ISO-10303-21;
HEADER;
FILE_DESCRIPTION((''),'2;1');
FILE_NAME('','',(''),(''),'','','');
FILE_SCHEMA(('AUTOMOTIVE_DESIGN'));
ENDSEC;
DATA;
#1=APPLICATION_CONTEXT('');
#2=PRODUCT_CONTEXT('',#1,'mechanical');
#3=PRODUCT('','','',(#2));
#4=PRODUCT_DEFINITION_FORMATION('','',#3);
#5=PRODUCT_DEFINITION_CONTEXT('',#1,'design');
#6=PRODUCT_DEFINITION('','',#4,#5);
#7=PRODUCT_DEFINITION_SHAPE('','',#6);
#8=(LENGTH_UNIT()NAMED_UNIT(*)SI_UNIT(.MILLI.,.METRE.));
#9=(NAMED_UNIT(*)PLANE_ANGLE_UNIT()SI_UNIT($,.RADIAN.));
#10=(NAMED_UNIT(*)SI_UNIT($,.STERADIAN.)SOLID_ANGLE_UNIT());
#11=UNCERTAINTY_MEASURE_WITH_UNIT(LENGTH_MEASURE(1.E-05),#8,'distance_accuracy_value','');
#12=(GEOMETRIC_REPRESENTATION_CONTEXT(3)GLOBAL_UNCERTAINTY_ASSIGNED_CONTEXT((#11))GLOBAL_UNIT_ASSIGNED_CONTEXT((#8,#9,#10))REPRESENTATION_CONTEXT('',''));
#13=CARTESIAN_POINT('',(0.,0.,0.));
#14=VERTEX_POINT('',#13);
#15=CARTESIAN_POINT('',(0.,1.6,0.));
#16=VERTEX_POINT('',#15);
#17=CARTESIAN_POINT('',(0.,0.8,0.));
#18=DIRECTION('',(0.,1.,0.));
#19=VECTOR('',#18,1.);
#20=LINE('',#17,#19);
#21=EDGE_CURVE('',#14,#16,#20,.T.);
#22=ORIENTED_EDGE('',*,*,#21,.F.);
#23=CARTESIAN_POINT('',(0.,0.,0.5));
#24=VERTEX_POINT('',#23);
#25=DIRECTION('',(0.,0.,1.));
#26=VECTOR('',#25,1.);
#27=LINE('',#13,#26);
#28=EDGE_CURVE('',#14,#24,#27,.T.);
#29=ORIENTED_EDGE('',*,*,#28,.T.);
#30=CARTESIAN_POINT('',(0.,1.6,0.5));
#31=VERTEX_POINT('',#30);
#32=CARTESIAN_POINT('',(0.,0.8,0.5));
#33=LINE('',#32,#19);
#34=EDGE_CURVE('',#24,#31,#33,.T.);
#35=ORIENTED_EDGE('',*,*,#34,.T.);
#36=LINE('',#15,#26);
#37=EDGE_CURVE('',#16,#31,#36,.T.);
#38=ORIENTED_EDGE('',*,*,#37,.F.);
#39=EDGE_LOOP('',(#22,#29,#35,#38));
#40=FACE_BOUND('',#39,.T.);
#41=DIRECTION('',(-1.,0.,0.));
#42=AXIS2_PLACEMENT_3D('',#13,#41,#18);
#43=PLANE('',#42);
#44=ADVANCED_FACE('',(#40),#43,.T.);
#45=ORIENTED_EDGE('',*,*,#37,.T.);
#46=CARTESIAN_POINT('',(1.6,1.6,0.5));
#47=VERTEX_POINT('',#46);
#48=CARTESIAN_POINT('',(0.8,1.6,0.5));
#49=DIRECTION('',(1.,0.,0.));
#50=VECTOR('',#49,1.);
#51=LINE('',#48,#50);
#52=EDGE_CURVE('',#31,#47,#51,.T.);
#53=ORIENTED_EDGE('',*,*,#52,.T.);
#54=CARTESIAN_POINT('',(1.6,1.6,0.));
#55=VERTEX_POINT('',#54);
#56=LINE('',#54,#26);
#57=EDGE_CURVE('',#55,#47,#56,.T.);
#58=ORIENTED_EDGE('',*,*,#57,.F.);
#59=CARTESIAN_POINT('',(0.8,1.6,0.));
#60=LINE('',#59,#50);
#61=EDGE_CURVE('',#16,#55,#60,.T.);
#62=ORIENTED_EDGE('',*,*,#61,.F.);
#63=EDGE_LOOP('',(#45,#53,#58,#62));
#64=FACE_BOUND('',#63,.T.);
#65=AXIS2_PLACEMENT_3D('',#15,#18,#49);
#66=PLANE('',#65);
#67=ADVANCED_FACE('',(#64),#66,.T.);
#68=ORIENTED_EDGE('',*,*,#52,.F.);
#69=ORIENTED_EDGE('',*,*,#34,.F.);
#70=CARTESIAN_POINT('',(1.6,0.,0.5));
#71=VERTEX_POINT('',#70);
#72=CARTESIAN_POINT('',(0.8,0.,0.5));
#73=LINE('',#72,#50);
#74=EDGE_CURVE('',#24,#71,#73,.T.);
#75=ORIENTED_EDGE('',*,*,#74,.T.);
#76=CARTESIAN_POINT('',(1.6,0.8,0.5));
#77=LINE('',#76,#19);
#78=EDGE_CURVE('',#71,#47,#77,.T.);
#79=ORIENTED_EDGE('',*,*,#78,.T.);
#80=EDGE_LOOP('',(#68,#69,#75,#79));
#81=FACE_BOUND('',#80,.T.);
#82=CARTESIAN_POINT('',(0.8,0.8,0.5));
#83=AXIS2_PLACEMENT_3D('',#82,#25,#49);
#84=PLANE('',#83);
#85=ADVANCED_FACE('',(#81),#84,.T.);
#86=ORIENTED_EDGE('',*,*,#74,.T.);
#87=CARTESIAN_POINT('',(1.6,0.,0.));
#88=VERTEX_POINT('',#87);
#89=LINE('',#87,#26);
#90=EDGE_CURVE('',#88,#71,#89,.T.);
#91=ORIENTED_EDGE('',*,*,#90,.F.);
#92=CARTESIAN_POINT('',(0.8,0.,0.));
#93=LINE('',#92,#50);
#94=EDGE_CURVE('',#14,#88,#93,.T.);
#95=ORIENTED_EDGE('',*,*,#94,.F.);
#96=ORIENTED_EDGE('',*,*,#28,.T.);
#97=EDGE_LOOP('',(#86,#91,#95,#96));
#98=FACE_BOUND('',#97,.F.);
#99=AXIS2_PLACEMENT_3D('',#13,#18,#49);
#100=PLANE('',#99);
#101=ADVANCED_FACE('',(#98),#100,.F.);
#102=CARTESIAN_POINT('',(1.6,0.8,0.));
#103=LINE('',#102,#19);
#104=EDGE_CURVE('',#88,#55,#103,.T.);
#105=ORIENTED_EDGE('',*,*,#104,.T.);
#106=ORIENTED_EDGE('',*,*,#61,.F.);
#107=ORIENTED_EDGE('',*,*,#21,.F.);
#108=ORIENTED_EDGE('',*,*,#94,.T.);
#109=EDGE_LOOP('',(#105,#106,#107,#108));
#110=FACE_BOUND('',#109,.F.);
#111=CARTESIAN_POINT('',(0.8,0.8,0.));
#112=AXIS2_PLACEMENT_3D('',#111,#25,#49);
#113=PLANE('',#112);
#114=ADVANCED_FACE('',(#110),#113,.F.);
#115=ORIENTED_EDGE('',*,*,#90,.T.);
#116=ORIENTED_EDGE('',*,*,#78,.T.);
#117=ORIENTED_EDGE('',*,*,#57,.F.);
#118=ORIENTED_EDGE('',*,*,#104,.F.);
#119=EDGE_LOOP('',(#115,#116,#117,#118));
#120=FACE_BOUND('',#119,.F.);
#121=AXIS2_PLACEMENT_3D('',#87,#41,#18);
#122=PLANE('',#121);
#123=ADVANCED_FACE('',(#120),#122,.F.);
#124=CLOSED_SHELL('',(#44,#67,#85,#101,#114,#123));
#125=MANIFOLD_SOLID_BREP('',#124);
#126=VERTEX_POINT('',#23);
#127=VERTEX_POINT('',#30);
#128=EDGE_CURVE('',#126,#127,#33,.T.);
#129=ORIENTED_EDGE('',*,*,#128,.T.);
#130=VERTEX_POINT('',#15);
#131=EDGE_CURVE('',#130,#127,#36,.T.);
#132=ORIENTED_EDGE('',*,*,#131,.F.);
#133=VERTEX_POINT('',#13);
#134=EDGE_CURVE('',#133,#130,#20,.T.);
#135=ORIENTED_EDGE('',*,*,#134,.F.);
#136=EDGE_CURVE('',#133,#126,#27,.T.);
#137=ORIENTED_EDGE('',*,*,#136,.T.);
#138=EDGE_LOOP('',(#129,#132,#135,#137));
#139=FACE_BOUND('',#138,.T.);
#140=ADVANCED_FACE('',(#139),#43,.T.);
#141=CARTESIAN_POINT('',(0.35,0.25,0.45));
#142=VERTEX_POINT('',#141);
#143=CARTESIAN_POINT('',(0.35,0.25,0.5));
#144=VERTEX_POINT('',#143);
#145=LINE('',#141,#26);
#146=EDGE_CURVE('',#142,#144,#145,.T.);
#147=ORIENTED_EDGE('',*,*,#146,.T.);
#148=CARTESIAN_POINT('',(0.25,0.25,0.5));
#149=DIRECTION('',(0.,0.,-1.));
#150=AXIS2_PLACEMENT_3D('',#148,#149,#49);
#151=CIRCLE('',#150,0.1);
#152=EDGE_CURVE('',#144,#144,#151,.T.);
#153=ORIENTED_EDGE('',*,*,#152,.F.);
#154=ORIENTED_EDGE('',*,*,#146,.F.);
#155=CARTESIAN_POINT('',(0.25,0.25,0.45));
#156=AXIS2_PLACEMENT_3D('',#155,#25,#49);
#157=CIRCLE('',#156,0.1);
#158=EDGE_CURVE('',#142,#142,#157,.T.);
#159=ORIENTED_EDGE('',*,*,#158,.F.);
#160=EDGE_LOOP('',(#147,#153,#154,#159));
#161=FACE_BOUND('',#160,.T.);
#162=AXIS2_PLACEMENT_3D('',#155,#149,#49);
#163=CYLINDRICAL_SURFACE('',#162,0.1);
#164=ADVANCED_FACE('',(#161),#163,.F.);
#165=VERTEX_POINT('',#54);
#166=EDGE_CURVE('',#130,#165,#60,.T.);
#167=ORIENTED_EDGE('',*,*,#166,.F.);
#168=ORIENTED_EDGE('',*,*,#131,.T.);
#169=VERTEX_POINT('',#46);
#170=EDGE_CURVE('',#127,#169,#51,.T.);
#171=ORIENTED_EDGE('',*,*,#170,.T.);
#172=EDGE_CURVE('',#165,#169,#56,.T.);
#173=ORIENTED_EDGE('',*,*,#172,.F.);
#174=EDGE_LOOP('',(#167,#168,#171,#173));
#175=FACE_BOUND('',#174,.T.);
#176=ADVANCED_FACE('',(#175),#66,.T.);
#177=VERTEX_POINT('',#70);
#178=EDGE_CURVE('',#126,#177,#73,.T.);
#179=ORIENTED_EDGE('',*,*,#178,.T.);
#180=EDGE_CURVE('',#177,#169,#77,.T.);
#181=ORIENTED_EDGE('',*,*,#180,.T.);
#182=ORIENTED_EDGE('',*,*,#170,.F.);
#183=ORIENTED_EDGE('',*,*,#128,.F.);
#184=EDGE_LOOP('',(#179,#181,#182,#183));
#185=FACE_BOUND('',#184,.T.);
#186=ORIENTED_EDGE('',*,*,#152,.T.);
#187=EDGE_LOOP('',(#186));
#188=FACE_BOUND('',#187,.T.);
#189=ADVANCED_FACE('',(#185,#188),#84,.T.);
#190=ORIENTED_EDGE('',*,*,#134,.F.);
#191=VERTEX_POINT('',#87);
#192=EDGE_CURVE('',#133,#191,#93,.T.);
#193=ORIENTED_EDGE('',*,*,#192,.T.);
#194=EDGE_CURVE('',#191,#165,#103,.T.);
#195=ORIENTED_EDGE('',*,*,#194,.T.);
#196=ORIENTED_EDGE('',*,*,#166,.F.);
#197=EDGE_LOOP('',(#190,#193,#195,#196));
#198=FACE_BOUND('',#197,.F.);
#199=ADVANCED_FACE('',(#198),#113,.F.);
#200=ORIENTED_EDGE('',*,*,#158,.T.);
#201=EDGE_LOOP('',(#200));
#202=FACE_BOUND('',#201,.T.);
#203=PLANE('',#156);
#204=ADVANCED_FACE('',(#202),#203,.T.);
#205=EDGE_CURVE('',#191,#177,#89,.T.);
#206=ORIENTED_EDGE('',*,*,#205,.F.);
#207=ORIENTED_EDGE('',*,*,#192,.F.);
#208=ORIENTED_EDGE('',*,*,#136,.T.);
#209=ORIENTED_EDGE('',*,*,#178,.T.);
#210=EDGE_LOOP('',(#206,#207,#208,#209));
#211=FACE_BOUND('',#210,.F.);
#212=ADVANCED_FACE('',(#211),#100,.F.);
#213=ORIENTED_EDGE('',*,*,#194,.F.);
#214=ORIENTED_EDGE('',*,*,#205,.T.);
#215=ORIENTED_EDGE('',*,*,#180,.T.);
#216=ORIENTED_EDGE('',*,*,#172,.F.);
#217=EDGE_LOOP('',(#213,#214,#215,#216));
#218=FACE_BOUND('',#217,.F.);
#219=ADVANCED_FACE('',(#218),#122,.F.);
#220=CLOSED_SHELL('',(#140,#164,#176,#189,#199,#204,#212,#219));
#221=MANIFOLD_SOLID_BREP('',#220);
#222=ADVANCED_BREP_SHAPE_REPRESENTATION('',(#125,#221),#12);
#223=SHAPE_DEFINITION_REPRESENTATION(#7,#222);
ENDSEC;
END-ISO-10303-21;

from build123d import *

# Parameters (mm, degrees)
BOX_W          = 1.6
BOX_H          = 1.6
BOX_DEPTH      = 0.5
CYLINDER_R     = 0.1
CYLINDER_DEPTH = 0.5


with BuildPart() as cube:
    # Box → Box (new body)
    with BuildSketch(Plane.XY):
        with Locations((0.8, 0.8)):
            Rectangle(BOX_W, BOX_H)
    extrude(amount=BOX_DEPTH)


with BuildPart() as body:
    # Body base: copy of Cube
    add(cube.part)


with BuildPart() as cylinder:
    # Cylinder → Cylinder (new body)
    with BuildSketch(Plane(origin=(0.25, 0.25, 0.45), x_dir=(1, 0, 0), z_dir=(0, 0, 1))):
        Circle(CYLINDER_R)
    extrude(amount=CYLINDER_DEPTH)


with BuildPart() as cut:
    # Cut base: copy of Cube
    add(cube.part)

    # Cut: cut Cylinder
    add(cylinder.part, mode=Mode.SUBTRACT)


solid = Compound([body.part, cut.part])
